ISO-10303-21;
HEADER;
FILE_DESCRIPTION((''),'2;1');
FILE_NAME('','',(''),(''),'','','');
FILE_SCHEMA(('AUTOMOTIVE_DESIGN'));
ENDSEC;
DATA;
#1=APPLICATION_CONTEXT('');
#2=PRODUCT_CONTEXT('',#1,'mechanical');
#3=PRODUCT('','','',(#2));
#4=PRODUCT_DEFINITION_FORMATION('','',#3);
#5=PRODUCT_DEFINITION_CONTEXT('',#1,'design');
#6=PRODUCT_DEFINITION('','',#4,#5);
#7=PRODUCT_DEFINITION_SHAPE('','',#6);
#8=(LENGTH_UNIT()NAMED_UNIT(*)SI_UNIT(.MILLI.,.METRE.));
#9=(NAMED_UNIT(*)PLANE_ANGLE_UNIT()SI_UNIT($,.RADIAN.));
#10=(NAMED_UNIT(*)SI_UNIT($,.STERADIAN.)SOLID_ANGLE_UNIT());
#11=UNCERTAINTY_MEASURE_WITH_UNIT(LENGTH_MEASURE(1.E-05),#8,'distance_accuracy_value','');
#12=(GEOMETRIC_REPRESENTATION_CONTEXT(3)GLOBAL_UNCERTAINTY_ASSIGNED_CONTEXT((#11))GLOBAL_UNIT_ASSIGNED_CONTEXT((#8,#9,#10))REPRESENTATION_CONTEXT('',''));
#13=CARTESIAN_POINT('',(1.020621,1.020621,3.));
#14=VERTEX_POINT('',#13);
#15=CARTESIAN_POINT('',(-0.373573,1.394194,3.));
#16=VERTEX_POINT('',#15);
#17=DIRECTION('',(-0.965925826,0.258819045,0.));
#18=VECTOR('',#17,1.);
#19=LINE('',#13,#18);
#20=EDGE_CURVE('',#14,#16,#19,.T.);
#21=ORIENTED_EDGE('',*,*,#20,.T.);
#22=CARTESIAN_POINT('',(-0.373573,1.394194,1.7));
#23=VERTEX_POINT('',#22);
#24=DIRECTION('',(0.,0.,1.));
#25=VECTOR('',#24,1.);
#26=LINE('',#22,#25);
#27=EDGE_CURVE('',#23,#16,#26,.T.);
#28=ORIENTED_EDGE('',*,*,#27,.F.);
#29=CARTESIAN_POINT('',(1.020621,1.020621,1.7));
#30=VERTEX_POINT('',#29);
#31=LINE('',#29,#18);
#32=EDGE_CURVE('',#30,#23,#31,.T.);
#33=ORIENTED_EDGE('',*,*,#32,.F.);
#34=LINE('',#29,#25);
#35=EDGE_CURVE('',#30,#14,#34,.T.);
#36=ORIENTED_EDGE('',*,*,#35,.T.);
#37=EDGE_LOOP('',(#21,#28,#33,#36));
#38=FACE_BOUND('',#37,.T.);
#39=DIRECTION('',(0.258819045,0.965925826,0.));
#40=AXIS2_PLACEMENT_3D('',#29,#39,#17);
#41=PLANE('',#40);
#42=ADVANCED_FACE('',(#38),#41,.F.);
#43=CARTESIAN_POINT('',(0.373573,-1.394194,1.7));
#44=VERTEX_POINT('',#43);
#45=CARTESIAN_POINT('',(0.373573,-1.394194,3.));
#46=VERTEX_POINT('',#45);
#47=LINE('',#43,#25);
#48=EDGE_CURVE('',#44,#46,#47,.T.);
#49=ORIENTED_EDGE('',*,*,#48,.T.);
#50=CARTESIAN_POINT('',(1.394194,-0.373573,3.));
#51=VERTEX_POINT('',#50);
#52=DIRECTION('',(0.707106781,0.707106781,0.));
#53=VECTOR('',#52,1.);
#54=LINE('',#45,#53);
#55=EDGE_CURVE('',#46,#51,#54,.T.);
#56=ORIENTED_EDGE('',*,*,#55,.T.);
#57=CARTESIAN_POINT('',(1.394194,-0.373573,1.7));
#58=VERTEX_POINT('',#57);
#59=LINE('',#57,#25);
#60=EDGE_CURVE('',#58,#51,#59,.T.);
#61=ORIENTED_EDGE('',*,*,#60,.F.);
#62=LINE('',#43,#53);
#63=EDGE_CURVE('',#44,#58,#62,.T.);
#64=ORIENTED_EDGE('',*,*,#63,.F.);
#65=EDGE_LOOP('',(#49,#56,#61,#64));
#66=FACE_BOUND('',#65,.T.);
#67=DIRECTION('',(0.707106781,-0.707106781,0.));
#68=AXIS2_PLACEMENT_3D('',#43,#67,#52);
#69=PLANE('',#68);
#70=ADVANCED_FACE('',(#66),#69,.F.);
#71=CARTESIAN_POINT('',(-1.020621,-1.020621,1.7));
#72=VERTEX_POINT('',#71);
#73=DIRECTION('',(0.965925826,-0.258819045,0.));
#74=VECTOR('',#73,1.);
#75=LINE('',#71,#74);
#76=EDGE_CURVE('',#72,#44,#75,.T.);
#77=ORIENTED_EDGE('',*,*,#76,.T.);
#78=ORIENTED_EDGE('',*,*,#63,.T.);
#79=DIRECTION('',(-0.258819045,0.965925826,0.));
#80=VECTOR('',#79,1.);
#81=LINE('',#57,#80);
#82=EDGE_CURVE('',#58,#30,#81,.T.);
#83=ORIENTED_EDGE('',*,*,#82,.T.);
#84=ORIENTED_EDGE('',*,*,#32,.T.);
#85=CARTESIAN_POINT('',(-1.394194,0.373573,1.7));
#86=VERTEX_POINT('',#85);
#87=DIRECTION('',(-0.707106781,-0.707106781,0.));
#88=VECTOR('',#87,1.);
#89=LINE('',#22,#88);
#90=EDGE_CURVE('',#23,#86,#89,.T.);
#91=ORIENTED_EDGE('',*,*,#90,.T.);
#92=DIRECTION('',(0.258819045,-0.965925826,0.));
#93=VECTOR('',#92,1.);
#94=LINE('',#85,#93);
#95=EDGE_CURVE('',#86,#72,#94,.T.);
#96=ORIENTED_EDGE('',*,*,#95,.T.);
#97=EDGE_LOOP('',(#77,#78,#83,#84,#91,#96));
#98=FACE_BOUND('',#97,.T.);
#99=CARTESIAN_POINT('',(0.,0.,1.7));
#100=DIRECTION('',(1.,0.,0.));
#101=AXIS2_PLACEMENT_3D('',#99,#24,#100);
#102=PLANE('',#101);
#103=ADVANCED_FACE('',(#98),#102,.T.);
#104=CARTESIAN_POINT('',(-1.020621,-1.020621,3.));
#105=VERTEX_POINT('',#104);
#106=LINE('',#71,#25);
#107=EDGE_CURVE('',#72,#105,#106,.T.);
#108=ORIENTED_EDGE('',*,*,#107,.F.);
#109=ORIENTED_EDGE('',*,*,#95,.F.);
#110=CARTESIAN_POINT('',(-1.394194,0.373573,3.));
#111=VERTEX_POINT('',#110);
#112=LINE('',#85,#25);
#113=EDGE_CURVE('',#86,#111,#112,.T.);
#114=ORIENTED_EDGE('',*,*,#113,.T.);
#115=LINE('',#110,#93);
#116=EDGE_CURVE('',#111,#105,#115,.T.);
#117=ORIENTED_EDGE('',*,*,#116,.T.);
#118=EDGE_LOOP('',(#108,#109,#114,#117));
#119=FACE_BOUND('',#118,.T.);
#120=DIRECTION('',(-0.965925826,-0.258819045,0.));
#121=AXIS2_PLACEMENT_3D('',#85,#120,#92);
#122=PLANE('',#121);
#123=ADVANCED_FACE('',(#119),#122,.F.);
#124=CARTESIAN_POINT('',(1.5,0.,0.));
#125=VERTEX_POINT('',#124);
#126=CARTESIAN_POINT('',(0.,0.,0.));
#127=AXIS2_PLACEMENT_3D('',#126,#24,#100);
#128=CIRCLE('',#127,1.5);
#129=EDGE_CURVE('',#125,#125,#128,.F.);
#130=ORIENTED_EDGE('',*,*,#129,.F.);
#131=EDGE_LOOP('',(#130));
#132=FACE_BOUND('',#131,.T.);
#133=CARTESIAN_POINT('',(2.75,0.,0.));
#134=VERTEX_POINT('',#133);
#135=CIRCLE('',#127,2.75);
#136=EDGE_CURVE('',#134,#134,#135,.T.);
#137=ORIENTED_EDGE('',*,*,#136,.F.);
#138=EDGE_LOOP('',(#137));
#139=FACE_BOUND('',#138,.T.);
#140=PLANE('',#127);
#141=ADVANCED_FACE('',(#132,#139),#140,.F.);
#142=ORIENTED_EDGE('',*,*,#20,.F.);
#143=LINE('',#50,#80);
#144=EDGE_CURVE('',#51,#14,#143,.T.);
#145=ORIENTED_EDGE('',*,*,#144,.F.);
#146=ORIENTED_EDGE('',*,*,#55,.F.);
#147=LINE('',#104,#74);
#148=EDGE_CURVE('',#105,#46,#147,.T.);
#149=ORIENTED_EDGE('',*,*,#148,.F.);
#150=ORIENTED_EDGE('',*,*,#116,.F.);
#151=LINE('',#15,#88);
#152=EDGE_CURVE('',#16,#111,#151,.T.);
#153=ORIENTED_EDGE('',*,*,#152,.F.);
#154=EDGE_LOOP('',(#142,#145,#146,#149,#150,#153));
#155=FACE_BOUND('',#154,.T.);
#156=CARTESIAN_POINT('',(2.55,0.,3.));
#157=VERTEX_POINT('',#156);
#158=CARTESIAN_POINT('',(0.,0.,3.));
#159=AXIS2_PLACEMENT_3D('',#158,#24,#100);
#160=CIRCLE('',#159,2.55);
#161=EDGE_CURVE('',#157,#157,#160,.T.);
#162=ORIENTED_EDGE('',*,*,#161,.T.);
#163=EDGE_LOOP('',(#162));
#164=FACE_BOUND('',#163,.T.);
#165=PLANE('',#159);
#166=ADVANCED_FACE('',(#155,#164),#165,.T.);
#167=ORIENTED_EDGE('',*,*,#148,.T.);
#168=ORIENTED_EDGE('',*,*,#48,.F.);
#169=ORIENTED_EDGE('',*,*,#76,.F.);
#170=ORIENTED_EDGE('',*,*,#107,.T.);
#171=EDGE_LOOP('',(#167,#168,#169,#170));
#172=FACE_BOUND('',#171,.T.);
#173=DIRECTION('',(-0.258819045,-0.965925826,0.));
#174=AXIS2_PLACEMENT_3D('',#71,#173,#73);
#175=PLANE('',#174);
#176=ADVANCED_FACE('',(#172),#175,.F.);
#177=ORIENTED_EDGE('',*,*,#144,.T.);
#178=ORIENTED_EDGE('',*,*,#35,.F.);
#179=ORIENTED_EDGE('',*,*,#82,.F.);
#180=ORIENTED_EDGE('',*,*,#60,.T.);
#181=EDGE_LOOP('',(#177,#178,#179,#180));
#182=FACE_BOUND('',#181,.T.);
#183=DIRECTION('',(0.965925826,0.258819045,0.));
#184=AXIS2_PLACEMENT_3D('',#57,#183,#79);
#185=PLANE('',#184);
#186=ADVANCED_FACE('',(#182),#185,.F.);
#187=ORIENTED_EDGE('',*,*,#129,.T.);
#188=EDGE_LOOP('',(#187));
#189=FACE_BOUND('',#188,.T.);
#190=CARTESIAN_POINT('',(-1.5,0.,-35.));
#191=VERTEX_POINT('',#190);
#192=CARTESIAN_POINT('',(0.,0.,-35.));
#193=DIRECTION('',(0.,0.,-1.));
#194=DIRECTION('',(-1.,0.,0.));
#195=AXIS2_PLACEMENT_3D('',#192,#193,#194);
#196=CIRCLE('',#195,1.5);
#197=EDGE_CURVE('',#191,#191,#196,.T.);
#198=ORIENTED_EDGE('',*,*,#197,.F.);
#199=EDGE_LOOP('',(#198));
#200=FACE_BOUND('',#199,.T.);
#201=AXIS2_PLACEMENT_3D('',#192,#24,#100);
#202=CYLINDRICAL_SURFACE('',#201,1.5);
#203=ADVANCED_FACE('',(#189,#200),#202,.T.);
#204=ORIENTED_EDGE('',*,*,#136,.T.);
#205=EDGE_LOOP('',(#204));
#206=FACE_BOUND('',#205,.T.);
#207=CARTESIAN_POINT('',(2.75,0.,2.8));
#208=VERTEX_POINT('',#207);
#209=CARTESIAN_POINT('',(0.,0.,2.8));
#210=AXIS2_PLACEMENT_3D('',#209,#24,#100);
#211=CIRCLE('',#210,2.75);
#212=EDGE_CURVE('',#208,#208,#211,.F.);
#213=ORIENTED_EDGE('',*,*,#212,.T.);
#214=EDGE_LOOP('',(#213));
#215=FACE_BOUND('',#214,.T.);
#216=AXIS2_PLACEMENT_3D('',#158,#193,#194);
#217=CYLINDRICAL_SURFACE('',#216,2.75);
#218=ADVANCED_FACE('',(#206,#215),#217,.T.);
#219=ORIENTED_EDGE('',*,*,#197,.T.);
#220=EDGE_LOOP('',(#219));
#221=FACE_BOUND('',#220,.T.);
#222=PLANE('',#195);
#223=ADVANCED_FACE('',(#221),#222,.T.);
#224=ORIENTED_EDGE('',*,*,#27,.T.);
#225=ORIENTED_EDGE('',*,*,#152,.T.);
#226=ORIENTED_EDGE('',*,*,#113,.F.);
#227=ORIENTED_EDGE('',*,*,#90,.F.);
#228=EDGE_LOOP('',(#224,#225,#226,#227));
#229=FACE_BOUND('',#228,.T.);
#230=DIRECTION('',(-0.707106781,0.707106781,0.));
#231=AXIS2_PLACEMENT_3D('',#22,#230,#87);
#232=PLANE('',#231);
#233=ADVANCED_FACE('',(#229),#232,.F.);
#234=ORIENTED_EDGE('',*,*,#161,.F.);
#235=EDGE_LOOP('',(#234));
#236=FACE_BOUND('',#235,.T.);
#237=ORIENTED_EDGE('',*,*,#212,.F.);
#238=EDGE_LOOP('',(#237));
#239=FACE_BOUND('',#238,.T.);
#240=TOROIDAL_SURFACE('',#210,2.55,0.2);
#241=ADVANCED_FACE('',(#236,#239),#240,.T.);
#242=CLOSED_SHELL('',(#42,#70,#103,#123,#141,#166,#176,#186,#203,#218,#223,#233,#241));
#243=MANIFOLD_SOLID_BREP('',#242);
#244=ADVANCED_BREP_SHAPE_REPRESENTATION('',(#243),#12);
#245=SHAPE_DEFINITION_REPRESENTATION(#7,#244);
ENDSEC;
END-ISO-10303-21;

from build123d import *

# Parameters (mm, degrees)
SKETCH_1_R          = 2.75
EXTRUDE_1_DEPTH     = 3
CUT_EXTRUDE_1_DEPTH = 1.3
SKETCH_3_R          = 1.5
EXTRUDE_2_DEPTH     = 35
FILLET_1_R          = 0.2


with BuildPart() as part:
    # 草图1 → 凸台-拉伸1 (new body)
    with BuildSketch(Plane.XY):
        Circle(SKETCH_1_R)
    extrude(amount=EXTRUDE_1_DEPTH)

    # 草图2 → 切除-拉伸1 (cut)
    with BuildSketch(Plane.XY.offset(3)):
        Polygon((-1.020620726, -1.020620726), (0.373573113, -1.39419384), (1.39419384, -0.373573113), (1.020620726, 1.020620726), (-0.373573113, 1.39419384), (-1.39419384, 0.373573113), align=None)
    extrude(amount=-CUT_EXTRUDE_1_DEPTH, mode=Mode.SUBTRACT)

    # 草图3 → 凸台-拉伸2 (add)
    with BuildSketch(Plane(origin=(0, 0, 0), x_dir=(-1, 0, 0), z_dir=(0, 0, -1))):
        with Locations(Location((0, 0, 0), (0, 0, 180))):
            Circle(SKETCH_3_R)
    extrude(amount=EXTRUDE_2_DEPTH)

    # 圆角1
    fillet_1_edges = [part.edges().sort_by_distance(p)[0] for p in [
        (-2.75, 0, 3),
    ]]
    fillet(fillet_1_edges, radius=FILLET_1_R)


solid = part.part
